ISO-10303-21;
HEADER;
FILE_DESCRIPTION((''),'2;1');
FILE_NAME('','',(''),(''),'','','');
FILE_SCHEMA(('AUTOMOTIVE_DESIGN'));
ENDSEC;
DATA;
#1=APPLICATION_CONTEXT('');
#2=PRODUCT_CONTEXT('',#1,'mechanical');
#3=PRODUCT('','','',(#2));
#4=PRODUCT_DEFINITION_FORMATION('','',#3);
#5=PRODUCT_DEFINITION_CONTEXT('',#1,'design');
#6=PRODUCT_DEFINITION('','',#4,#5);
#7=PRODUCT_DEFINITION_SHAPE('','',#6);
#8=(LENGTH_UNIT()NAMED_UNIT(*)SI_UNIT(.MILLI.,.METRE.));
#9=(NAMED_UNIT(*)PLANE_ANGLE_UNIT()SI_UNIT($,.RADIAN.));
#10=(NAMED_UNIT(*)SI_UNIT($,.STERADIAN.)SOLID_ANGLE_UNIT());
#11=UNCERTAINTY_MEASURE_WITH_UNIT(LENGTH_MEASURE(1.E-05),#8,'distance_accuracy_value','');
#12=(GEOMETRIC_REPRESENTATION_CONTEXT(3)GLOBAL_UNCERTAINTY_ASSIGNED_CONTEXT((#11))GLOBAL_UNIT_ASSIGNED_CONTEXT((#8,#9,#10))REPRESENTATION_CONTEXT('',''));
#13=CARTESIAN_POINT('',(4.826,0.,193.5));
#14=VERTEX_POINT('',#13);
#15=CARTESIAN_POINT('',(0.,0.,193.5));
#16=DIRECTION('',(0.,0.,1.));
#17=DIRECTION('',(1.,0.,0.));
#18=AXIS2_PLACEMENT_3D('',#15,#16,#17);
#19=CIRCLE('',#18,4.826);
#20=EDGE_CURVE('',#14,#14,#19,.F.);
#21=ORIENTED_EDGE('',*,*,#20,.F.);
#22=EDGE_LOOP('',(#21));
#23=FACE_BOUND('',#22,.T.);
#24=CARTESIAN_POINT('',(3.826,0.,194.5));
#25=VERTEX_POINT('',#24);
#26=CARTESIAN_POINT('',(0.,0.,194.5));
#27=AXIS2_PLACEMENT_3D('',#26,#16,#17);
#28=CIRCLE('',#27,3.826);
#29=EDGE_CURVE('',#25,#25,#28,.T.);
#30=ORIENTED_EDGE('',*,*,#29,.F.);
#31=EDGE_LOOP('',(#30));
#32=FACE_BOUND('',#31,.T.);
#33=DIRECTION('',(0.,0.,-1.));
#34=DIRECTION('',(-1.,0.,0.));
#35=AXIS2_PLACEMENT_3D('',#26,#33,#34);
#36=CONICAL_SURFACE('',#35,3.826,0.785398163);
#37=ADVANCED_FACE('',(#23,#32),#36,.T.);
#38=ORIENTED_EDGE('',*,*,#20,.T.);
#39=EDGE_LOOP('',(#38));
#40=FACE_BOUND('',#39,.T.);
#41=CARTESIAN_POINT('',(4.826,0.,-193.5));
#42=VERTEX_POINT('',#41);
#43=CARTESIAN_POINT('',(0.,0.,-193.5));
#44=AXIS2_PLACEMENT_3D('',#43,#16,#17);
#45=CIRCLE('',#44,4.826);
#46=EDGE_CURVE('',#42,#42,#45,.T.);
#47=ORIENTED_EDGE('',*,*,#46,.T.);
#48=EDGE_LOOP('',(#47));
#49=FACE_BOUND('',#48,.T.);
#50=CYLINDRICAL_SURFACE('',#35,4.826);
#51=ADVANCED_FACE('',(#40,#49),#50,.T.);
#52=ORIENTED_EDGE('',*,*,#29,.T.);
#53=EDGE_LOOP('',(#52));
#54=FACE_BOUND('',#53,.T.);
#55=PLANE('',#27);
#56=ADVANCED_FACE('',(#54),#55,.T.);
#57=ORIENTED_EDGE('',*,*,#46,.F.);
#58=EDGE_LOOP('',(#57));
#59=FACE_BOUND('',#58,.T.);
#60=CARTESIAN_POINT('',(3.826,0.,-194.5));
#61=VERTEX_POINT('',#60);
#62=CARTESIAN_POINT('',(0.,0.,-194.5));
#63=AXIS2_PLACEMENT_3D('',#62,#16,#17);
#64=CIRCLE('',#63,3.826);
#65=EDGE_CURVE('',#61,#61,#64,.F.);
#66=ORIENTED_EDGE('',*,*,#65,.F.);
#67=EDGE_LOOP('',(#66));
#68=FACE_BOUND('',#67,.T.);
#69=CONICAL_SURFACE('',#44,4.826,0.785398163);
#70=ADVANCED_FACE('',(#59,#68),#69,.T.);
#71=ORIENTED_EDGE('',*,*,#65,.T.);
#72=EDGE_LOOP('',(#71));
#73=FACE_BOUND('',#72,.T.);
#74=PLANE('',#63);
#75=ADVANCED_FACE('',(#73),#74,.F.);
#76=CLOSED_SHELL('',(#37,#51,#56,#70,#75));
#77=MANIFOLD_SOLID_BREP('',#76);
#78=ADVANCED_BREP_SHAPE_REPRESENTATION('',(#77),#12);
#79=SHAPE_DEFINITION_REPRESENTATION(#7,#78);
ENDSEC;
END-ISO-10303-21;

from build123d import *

# Parameters (mm, degrees)
SKETCH1_R           = 4.826
BOSS_EXTRUDE1_DEPTH = 194.5
CHAMFER1_SIZE       = 1


with BuildPart() as part:
    # Sketch1 → Boss-Extrude1 (new body, symmetric)
    with BuildSketch(Plane.XY):
        Circle(SKETCH1_R)
    extrude(amount=BOSS_EXTRUDE1_DEPTH, both=True)

    # Chamfer1
    chamfer1_edges = [part.edges().sort_by_distance(p)[0] for p in [
        (-4.826, 0, -194.5),
        (-4.826, 0, 194.5),
    ]]
    chamfer(chamfer1_edges, length=CHAMFER1_SIZE)


solid = part.part
